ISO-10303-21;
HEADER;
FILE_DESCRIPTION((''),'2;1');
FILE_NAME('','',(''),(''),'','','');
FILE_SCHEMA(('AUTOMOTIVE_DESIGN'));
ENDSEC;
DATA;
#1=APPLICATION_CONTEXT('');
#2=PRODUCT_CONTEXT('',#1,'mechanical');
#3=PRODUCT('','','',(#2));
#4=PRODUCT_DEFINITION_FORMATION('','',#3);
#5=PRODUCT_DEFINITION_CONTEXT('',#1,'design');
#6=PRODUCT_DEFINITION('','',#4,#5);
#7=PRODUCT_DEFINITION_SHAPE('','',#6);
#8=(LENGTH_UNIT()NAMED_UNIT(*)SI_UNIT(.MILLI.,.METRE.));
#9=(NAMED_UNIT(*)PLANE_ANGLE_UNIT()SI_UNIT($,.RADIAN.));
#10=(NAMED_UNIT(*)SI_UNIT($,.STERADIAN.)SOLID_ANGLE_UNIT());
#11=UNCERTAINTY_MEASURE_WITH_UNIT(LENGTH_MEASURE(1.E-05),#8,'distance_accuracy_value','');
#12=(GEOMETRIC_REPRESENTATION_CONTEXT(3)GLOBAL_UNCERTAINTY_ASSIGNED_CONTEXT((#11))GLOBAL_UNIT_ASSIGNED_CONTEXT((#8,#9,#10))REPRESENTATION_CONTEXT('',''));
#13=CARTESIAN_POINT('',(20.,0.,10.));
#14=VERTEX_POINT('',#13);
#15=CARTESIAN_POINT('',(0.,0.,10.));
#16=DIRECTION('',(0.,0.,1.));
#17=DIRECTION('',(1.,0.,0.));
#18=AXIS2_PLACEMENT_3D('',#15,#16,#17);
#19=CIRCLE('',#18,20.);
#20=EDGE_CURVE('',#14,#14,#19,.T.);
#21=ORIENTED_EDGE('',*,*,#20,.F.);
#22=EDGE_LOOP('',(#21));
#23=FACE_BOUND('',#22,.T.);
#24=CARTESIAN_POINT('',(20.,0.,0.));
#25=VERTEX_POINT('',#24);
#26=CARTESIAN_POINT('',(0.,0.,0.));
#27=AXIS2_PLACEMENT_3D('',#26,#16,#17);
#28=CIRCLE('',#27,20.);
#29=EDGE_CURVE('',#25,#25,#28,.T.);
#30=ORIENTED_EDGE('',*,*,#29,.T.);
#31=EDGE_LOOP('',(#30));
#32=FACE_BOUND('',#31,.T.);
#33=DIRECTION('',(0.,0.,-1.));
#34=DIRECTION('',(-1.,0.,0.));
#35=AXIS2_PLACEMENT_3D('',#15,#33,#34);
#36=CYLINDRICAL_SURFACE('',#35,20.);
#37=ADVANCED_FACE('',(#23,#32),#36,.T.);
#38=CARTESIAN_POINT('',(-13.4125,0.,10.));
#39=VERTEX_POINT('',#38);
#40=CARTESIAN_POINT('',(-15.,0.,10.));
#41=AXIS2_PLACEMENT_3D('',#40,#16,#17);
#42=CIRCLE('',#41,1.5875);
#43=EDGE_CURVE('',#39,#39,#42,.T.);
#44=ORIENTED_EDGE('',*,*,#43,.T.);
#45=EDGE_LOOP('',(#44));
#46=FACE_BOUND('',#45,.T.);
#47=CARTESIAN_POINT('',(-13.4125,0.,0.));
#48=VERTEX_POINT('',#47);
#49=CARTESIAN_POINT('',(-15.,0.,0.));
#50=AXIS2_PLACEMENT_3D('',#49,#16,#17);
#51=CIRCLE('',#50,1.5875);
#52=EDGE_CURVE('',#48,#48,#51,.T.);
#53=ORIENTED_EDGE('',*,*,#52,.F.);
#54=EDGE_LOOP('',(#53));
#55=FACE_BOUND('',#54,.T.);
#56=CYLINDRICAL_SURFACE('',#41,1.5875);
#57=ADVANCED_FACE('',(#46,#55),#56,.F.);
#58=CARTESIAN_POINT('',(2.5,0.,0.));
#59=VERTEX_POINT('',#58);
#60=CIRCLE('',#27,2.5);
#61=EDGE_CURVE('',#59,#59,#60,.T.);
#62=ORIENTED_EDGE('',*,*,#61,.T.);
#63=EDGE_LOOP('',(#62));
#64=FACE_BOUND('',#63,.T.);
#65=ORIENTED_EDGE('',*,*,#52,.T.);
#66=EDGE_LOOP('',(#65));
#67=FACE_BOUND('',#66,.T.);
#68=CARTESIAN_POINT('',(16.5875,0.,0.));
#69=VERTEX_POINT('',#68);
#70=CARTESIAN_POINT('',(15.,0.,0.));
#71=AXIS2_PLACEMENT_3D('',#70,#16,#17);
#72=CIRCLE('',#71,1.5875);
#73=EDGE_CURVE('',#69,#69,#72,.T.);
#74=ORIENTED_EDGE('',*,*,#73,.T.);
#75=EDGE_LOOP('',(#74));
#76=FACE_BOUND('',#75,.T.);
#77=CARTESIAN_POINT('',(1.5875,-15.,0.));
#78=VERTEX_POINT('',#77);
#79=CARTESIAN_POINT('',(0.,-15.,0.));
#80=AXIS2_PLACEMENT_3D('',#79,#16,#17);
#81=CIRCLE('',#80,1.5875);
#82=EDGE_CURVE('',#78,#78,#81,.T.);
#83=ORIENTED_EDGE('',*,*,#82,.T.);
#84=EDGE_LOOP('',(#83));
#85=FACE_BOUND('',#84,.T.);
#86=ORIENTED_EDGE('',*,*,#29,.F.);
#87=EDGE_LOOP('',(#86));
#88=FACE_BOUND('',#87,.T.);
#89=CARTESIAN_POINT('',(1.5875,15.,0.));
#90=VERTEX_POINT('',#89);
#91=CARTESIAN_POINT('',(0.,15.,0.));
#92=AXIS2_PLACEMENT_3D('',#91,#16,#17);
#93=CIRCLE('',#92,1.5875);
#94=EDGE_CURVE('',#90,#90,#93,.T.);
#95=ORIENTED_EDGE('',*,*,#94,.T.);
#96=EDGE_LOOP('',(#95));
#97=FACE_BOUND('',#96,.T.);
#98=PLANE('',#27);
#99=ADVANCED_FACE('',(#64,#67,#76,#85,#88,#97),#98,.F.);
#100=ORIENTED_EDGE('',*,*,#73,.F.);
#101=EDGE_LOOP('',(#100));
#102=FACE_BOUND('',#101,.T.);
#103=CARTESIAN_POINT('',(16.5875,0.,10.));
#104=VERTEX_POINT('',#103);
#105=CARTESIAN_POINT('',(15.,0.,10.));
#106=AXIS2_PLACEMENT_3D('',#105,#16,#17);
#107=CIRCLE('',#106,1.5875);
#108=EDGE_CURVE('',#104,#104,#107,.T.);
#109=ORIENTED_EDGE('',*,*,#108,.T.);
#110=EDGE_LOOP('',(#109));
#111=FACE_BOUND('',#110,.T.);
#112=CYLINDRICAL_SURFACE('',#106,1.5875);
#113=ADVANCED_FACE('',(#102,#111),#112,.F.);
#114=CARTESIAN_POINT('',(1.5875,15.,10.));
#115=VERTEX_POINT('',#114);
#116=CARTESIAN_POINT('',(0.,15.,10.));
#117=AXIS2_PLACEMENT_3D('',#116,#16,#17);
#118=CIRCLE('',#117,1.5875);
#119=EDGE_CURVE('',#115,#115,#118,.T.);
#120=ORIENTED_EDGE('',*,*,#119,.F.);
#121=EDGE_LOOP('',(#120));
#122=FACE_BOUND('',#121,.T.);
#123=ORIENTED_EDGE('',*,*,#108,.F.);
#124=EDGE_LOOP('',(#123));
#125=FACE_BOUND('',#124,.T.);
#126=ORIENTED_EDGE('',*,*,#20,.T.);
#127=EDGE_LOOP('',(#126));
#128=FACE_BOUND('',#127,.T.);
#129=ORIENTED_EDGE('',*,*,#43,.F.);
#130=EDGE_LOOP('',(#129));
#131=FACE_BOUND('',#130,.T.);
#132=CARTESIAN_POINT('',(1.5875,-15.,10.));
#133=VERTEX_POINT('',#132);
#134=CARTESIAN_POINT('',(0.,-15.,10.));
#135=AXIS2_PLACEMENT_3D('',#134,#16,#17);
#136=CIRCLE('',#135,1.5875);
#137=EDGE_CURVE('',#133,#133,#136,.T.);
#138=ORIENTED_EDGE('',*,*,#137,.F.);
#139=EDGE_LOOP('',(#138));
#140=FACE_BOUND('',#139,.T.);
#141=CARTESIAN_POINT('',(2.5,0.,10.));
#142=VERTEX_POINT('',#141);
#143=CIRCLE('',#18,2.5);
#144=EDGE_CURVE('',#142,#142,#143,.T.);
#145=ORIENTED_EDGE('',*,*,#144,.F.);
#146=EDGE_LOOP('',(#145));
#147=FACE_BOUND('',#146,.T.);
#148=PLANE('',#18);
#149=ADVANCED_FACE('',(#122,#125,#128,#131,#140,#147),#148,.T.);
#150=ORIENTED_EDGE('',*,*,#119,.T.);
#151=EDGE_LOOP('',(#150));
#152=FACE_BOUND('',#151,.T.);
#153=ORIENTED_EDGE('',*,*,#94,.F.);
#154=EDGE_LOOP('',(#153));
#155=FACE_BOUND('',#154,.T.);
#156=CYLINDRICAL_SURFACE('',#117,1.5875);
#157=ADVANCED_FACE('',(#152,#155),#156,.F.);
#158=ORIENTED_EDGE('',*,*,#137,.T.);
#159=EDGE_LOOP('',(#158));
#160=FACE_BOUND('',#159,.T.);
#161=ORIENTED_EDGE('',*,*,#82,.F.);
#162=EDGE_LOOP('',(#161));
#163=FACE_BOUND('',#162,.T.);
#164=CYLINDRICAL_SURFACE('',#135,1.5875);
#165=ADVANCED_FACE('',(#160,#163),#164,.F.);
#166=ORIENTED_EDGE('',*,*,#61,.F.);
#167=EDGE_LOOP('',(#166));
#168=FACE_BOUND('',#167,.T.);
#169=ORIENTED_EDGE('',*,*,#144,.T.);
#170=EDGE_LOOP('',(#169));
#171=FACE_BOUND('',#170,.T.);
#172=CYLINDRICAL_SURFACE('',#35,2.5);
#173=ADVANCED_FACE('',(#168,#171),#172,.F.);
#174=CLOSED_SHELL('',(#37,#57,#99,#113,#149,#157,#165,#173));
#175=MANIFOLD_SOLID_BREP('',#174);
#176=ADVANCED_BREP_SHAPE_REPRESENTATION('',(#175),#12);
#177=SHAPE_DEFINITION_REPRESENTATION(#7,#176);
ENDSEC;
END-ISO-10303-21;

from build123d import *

# Parameters (mm, degrees)
SKETCH3_R                    = 20
SKETCH3_R_2                  = 2.5
BOSS_EXTRUDE2_DEPTH          = 10
F_1_8_0_125_DIAMETER_HOLE2_D = 3.175


with BuildPart() as part:
    # Sketch3 → Boss-Extrude2 (new body)
    with BuildSketch(Plane.XY):
        Circle(SKETCH3_R)
        Circle(SKETCH3_R_2, mode=Mode.SUBTRACT)
    extrude(amount=BOSS_EXTRUDE2_DEPTH)

    # 1/8 (0.125) Diameter Hole2 (through all)
    with Locations(Plane.XY.offset(10)):
        with Locations((0, 15), (15, 0), (0, -15), (-15, 0)):
            Hole(F_1_8_0_125_DIAMETER_HOLE2_D / 2)


solid = part.part
